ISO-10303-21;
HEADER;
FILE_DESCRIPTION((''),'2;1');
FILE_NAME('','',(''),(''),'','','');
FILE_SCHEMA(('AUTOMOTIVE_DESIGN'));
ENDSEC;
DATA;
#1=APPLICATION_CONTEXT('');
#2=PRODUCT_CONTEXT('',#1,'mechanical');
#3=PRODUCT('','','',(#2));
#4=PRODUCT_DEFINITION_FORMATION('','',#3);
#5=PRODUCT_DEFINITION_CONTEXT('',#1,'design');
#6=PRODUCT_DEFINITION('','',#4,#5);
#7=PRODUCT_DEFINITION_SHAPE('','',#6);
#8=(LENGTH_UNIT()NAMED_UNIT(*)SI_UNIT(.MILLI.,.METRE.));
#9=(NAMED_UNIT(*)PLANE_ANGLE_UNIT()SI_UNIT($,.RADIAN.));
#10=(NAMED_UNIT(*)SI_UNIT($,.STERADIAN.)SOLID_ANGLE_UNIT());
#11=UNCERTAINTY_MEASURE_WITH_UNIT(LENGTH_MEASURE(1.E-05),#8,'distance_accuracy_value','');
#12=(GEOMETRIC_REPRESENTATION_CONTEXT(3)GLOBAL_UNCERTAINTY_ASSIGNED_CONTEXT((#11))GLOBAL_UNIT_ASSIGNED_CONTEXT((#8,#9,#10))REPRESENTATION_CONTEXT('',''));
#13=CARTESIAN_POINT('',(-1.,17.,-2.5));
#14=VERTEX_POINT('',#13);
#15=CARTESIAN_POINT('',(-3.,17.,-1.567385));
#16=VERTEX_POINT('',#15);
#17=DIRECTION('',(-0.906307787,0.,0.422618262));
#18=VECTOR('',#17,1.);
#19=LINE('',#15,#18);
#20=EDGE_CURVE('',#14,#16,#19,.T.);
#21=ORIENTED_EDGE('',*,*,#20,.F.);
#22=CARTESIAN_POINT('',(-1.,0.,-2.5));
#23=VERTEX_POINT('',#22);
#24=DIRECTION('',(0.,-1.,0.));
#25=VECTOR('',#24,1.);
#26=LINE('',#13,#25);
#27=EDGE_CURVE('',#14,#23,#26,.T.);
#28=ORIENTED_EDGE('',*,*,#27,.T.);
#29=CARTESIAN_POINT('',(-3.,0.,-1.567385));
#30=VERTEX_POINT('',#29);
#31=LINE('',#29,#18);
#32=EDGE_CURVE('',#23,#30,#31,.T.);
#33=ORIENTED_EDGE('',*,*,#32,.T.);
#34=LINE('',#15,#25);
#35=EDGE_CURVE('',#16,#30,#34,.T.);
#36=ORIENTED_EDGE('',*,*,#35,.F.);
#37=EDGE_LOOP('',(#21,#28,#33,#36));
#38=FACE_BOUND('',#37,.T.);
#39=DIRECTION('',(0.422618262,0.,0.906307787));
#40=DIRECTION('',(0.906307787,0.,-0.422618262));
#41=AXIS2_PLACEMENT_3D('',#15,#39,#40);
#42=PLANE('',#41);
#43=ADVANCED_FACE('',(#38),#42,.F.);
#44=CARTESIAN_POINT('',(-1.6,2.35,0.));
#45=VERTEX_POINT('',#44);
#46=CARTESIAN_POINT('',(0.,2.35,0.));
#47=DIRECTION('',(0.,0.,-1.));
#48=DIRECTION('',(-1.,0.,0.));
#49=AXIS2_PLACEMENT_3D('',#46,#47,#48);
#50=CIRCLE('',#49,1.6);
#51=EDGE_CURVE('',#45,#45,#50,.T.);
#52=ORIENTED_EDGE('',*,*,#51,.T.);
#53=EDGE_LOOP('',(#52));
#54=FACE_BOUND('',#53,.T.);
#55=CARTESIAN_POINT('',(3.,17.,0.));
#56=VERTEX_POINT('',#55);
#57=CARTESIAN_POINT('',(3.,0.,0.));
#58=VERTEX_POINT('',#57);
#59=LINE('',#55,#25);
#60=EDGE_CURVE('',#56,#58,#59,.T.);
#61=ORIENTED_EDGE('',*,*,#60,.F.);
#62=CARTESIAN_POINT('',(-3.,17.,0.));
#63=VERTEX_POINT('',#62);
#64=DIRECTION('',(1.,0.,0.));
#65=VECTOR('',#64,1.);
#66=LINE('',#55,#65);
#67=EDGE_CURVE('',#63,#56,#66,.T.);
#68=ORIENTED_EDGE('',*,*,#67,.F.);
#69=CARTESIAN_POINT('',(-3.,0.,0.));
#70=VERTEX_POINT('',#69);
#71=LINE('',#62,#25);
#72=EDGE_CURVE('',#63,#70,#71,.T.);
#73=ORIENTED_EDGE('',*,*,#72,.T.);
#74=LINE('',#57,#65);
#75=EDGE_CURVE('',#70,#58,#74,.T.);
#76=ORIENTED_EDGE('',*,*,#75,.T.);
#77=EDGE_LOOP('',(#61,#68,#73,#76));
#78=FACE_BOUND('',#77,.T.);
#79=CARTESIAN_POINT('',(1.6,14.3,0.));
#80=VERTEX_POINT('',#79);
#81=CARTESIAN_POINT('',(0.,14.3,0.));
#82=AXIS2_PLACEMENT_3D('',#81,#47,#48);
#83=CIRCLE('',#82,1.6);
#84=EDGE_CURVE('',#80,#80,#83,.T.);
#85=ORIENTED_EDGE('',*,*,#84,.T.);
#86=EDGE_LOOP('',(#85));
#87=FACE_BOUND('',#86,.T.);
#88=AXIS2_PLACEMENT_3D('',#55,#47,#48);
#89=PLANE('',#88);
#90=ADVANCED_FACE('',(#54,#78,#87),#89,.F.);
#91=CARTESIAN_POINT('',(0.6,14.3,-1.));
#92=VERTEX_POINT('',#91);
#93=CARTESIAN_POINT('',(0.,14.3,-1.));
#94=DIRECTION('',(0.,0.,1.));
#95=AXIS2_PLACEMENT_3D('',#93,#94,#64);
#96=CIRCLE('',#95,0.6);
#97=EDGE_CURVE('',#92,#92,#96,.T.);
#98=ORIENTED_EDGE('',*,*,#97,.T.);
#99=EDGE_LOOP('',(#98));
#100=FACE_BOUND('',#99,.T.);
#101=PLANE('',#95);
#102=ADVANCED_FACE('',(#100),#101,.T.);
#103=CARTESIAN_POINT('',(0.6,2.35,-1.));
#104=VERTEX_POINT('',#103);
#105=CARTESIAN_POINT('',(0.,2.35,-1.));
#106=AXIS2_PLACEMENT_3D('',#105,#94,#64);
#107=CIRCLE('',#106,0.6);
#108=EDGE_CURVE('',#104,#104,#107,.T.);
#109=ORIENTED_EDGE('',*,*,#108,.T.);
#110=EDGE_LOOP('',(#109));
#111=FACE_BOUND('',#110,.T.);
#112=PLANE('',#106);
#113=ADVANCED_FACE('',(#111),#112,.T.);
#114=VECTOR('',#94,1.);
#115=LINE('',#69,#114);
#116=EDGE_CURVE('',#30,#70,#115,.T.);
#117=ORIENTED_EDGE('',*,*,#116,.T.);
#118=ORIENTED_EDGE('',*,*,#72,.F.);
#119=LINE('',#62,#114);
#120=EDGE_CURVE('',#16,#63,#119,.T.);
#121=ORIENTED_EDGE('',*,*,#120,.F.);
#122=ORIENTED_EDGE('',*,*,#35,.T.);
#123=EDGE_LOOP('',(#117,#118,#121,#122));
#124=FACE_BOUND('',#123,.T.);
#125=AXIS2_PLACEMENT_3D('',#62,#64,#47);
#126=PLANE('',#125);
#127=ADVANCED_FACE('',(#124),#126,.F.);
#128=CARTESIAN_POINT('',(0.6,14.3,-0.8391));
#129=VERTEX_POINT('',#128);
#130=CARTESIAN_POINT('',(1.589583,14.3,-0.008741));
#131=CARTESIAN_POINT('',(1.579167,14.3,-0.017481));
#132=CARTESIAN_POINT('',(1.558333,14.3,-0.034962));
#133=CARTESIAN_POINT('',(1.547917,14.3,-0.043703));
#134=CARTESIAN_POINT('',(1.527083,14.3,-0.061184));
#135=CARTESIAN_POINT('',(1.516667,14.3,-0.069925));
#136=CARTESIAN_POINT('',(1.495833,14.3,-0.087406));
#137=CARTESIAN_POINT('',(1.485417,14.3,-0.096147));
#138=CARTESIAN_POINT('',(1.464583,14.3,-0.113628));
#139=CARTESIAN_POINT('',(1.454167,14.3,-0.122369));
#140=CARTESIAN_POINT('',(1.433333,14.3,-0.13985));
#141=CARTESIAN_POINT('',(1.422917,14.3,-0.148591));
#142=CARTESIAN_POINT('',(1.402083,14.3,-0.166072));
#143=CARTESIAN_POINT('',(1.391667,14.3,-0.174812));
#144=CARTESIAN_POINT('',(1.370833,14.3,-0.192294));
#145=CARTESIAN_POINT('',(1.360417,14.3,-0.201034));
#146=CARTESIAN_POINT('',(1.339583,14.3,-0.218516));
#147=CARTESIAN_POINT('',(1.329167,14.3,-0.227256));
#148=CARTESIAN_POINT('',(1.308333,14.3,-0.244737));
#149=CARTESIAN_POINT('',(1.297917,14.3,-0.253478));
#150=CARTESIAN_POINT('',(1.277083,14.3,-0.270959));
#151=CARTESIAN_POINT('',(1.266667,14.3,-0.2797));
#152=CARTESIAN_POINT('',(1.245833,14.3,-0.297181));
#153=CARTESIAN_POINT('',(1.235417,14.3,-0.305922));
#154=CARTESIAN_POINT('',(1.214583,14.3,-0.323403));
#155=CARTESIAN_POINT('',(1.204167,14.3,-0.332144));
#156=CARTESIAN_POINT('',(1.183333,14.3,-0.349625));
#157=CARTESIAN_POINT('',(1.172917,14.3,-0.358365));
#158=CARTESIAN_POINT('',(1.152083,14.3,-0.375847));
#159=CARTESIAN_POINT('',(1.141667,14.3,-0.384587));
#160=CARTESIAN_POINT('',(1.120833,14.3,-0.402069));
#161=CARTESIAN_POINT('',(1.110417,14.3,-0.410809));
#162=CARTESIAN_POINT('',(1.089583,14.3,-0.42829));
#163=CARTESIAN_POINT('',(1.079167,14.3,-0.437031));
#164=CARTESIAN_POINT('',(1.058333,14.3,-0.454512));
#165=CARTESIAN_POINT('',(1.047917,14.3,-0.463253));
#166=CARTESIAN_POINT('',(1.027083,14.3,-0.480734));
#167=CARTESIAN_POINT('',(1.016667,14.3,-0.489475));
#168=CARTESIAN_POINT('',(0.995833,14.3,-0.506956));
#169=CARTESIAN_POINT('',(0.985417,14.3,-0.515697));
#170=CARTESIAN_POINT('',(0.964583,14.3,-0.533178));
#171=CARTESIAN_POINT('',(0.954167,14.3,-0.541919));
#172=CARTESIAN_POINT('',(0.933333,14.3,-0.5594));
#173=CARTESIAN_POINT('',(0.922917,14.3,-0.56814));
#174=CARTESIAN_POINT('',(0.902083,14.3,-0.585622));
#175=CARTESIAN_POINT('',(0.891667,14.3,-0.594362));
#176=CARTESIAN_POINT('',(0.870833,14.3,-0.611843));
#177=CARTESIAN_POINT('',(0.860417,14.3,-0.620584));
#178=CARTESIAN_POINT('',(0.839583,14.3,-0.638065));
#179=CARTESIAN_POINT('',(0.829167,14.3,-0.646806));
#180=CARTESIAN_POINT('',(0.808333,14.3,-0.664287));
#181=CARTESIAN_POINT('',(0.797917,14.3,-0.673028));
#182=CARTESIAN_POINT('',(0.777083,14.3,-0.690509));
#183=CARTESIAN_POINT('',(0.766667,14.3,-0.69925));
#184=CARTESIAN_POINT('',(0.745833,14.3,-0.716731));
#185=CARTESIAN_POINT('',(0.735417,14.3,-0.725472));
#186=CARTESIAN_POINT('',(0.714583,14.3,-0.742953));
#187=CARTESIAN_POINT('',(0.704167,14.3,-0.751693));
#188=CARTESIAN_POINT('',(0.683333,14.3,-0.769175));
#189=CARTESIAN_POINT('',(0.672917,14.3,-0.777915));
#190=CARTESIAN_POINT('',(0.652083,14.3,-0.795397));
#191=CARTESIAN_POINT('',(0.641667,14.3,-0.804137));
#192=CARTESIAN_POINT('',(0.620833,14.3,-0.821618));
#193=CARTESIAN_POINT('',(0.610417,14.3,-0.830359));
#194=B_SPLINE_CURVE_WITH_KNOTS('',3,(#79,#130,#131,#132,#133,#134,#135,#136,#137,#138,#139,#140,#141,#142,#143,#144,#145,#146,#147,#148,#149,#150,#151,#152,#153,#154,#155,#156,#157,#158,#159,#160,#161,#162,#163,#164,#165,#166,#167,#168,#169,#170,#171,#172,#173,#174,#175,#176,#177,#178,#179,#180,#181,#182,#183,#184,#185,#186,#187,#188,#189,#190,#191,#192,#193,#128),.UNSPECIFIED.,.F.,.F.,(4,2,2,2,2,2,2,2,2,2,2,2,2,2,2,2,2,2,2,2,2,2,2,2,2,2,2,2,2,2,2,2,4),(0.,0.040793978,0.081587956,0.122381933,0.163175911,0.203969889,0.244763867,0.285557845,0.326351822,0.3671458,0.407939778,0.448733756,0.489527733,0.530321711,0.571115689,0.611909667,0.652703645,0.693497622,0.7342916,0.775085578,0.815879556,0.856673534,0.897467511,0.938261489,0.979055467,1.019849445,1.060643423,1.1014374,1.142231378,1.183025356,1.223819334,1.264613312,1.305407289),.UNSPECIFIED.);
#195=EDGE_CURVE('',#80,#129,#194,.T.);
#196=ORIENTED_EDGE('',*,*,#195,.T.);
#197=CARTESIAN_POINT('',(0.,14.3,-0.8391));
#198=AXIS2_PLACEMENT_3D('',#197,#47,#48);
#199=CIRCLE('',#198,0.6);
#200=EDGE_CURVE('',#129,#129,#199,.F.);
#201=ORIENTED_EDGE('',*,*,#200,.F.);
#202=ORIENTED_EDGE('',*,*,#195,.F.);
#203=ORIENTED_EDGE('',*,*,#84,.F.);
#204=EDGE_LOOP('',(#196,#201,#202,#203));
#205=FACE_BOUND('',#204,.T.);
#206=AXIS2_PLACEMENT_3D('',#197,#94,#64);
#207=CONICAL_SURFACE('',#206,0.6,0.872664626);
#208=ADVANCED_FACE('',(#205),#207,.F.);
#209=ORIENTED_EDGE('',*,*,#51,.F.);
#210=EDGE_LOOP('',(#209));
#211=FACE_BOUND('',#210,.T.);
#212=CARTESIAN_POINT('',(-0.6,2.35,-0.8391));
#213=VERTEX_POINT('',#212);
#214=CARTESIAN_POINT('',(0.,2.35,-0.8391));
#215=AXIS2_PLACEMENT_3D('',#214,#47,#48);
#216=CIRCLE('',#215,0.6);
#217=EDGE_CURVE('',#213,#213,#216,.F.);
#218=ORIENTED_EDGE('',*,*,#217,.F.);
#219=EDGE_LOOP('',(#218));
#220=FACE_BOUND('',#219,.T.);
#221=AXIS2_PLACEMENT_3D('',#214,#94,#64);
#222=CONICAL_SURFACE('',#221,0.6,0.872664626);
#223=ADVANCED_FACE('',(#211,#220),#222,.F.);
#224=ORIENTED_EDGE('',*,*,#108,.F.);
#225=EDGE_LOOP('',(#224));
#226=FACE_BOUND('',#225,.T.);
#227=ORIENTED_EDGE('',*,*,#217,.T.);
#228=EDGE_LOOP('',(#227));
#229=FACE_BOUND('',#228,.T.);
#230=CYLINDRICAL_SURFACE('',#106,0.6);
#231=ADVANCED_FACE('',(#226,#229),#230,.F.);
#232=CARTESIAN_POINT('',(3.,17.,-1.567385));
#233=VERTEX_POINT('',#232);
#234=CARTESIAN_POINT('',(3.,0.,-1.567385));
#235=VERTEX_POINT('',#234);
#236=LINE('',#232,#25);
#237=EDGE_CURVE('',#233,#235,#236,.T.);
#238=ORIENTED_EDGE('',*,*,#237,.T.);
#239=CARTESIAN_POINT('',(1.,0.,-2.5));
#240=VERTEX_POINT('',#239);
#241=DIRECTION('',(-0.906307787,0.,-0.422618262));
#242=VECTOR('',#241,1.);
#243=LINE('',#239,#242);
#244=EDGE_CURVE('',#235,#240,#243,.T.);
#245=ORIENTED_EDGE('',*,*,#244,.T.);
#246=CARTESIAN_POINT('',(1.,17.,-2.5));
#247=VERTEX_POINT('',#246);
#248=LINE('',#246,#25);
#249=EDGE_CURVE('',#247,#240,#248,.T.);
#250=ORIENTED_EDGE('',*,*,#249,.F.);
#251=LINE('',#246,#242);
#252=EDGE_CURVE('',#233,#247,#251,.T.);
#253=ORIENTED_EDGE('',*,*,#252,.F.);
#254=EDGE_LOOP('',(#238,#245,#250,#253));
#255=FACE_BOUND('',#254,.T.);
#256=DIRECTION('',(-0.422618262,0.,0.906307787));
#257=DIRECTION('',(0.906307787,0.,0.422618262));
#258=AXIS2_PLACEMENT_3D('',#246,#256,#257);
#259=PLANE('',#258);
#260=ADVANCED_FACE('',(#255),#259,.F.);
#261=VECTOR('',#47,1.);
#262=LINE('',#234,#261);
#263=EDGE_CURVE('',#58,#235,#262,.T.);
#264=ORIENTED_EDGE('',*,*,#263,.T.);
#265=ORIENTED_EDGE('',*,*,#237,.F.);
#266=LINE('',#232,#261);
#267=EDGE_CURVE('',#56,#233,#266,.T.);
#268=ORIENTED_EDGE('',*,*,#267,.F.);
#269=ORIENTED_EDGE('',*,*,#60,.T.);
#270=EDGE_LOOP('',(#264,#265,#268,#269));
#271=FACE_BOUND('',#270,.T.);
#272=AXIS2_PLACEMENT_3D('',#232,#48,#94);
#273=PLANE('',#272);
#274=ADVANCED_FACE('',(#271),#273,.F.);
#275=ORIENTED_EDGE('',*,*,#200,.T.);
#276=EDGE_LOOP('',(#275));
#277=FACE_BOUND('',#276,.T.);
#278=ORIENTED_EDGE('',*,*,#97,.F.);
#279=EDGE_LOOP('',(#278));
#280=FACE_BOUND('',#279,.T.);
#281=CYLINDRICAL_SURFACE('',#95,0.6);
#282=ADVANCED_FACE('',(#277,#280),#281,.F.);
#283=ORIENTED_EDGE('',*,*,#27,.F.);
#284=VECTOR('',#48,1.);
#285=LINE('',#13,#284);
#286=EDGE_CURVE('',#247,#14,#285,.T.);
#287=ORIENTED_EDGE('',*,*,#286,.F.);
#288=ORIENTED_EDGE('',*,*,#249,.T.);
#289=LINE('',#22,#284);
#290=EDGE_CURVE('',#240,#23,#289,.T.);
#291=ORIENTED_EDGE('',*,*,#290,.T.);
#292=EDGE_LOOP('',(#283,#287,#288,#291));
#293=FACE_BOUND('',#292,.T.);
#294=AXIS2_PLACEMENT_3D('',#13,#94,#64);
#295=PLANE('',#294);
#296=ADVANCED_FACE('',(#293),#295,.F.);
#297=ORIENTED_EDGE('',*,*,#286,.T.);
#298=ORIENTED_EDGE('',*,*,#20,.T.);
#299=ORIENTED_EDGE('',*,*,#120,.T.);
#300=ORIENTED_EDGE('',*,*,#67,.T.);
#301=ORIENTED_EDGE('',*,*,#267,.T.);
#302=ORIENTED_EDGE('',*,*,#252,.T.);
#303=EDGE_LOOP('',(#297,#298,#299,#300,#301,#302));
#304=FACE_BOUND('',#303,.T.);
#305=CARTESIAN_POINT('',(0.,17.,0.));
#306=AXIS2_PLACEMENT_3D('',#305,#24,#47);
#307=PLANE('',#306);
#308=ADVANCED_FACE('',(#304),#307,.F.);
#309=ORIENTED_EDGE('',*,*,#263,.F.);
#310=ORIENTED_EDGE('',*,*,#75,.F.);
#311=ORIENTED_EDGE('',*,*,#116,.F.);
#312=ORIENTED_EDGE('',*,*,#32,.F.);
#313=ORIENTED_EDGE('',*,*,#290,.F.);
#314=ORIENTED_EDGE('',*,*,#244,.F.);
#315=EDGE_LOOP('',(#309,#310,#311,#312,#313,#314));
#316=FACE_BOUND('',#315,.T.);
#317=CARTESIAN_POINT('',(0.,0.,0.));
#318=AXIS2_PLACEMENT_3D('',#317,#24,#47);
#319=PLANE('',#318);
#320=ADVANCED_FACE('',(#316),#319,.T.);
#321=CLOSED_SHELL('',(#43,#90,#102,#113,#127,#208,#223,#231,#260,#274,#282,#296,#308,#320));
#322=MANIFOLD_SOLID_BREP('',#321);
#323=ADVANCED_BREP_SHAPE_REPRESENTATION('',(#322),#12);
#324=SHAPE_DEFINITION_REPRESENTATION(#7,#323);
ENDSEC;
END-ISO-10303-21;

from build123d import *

# Parameters (mm, degrees)
EXTRUDE_1_DEPTH     = 17
SKETCH_2_R          = 0.6
CUT_EXTRUDE_1_DEPTH = 1
CHAMFER_1_SIZE      = 1
CHAMFER_1_SIZE2     = 0.839099631


with BuildPart() as part:
    # Эскиз1 → Бобышка-Вытянуть1 (new body)
    with BuildSketch(Plane(origin=(0, 0, 0), x_dir=(1, 0, 0), z_dir=(0, 1, 0))):
        Polygon((3, 0), (-3, 0), (-3, 1.567384684), (-1, 2.5), (1, 2.5), (3, 1.567384684), align=None)
    extrude(amount=EXTRUDE_1_DEPTH)

    # Эскиз2 → Вырез-Вытянуть1 (cut)
    with BuildSketch(Plane.XY):
        with Locations((0, 2.35)):
            Circle(SKETCH_2_R)
        with Locations((0, 14.3)):
            Circle(SKETCH_2_R)
    extrude(amount=-CUT_EXTRUDE_1_DEPTH, mode=Mode.SUBTRACT)

    # Фаска1
    chamfer_1_edges = [part.edges().sort_by_distance(p)[0] for p in [
        (-0.6, 2.35, 0),
        (-0.6, 14.3, 0),
    ]]
    chamfer_1_side = [part.faces().sort_by_distance(p)[0] for p in [
        (0, 8.503968803, 0),
    ]]
    chamfer(chamfer_1_edges, length=CHAMFER_1_SIZE, length2=CHAMFER_1_SIZE2, reference=chamfer_1_side[0])


solid = part.part
